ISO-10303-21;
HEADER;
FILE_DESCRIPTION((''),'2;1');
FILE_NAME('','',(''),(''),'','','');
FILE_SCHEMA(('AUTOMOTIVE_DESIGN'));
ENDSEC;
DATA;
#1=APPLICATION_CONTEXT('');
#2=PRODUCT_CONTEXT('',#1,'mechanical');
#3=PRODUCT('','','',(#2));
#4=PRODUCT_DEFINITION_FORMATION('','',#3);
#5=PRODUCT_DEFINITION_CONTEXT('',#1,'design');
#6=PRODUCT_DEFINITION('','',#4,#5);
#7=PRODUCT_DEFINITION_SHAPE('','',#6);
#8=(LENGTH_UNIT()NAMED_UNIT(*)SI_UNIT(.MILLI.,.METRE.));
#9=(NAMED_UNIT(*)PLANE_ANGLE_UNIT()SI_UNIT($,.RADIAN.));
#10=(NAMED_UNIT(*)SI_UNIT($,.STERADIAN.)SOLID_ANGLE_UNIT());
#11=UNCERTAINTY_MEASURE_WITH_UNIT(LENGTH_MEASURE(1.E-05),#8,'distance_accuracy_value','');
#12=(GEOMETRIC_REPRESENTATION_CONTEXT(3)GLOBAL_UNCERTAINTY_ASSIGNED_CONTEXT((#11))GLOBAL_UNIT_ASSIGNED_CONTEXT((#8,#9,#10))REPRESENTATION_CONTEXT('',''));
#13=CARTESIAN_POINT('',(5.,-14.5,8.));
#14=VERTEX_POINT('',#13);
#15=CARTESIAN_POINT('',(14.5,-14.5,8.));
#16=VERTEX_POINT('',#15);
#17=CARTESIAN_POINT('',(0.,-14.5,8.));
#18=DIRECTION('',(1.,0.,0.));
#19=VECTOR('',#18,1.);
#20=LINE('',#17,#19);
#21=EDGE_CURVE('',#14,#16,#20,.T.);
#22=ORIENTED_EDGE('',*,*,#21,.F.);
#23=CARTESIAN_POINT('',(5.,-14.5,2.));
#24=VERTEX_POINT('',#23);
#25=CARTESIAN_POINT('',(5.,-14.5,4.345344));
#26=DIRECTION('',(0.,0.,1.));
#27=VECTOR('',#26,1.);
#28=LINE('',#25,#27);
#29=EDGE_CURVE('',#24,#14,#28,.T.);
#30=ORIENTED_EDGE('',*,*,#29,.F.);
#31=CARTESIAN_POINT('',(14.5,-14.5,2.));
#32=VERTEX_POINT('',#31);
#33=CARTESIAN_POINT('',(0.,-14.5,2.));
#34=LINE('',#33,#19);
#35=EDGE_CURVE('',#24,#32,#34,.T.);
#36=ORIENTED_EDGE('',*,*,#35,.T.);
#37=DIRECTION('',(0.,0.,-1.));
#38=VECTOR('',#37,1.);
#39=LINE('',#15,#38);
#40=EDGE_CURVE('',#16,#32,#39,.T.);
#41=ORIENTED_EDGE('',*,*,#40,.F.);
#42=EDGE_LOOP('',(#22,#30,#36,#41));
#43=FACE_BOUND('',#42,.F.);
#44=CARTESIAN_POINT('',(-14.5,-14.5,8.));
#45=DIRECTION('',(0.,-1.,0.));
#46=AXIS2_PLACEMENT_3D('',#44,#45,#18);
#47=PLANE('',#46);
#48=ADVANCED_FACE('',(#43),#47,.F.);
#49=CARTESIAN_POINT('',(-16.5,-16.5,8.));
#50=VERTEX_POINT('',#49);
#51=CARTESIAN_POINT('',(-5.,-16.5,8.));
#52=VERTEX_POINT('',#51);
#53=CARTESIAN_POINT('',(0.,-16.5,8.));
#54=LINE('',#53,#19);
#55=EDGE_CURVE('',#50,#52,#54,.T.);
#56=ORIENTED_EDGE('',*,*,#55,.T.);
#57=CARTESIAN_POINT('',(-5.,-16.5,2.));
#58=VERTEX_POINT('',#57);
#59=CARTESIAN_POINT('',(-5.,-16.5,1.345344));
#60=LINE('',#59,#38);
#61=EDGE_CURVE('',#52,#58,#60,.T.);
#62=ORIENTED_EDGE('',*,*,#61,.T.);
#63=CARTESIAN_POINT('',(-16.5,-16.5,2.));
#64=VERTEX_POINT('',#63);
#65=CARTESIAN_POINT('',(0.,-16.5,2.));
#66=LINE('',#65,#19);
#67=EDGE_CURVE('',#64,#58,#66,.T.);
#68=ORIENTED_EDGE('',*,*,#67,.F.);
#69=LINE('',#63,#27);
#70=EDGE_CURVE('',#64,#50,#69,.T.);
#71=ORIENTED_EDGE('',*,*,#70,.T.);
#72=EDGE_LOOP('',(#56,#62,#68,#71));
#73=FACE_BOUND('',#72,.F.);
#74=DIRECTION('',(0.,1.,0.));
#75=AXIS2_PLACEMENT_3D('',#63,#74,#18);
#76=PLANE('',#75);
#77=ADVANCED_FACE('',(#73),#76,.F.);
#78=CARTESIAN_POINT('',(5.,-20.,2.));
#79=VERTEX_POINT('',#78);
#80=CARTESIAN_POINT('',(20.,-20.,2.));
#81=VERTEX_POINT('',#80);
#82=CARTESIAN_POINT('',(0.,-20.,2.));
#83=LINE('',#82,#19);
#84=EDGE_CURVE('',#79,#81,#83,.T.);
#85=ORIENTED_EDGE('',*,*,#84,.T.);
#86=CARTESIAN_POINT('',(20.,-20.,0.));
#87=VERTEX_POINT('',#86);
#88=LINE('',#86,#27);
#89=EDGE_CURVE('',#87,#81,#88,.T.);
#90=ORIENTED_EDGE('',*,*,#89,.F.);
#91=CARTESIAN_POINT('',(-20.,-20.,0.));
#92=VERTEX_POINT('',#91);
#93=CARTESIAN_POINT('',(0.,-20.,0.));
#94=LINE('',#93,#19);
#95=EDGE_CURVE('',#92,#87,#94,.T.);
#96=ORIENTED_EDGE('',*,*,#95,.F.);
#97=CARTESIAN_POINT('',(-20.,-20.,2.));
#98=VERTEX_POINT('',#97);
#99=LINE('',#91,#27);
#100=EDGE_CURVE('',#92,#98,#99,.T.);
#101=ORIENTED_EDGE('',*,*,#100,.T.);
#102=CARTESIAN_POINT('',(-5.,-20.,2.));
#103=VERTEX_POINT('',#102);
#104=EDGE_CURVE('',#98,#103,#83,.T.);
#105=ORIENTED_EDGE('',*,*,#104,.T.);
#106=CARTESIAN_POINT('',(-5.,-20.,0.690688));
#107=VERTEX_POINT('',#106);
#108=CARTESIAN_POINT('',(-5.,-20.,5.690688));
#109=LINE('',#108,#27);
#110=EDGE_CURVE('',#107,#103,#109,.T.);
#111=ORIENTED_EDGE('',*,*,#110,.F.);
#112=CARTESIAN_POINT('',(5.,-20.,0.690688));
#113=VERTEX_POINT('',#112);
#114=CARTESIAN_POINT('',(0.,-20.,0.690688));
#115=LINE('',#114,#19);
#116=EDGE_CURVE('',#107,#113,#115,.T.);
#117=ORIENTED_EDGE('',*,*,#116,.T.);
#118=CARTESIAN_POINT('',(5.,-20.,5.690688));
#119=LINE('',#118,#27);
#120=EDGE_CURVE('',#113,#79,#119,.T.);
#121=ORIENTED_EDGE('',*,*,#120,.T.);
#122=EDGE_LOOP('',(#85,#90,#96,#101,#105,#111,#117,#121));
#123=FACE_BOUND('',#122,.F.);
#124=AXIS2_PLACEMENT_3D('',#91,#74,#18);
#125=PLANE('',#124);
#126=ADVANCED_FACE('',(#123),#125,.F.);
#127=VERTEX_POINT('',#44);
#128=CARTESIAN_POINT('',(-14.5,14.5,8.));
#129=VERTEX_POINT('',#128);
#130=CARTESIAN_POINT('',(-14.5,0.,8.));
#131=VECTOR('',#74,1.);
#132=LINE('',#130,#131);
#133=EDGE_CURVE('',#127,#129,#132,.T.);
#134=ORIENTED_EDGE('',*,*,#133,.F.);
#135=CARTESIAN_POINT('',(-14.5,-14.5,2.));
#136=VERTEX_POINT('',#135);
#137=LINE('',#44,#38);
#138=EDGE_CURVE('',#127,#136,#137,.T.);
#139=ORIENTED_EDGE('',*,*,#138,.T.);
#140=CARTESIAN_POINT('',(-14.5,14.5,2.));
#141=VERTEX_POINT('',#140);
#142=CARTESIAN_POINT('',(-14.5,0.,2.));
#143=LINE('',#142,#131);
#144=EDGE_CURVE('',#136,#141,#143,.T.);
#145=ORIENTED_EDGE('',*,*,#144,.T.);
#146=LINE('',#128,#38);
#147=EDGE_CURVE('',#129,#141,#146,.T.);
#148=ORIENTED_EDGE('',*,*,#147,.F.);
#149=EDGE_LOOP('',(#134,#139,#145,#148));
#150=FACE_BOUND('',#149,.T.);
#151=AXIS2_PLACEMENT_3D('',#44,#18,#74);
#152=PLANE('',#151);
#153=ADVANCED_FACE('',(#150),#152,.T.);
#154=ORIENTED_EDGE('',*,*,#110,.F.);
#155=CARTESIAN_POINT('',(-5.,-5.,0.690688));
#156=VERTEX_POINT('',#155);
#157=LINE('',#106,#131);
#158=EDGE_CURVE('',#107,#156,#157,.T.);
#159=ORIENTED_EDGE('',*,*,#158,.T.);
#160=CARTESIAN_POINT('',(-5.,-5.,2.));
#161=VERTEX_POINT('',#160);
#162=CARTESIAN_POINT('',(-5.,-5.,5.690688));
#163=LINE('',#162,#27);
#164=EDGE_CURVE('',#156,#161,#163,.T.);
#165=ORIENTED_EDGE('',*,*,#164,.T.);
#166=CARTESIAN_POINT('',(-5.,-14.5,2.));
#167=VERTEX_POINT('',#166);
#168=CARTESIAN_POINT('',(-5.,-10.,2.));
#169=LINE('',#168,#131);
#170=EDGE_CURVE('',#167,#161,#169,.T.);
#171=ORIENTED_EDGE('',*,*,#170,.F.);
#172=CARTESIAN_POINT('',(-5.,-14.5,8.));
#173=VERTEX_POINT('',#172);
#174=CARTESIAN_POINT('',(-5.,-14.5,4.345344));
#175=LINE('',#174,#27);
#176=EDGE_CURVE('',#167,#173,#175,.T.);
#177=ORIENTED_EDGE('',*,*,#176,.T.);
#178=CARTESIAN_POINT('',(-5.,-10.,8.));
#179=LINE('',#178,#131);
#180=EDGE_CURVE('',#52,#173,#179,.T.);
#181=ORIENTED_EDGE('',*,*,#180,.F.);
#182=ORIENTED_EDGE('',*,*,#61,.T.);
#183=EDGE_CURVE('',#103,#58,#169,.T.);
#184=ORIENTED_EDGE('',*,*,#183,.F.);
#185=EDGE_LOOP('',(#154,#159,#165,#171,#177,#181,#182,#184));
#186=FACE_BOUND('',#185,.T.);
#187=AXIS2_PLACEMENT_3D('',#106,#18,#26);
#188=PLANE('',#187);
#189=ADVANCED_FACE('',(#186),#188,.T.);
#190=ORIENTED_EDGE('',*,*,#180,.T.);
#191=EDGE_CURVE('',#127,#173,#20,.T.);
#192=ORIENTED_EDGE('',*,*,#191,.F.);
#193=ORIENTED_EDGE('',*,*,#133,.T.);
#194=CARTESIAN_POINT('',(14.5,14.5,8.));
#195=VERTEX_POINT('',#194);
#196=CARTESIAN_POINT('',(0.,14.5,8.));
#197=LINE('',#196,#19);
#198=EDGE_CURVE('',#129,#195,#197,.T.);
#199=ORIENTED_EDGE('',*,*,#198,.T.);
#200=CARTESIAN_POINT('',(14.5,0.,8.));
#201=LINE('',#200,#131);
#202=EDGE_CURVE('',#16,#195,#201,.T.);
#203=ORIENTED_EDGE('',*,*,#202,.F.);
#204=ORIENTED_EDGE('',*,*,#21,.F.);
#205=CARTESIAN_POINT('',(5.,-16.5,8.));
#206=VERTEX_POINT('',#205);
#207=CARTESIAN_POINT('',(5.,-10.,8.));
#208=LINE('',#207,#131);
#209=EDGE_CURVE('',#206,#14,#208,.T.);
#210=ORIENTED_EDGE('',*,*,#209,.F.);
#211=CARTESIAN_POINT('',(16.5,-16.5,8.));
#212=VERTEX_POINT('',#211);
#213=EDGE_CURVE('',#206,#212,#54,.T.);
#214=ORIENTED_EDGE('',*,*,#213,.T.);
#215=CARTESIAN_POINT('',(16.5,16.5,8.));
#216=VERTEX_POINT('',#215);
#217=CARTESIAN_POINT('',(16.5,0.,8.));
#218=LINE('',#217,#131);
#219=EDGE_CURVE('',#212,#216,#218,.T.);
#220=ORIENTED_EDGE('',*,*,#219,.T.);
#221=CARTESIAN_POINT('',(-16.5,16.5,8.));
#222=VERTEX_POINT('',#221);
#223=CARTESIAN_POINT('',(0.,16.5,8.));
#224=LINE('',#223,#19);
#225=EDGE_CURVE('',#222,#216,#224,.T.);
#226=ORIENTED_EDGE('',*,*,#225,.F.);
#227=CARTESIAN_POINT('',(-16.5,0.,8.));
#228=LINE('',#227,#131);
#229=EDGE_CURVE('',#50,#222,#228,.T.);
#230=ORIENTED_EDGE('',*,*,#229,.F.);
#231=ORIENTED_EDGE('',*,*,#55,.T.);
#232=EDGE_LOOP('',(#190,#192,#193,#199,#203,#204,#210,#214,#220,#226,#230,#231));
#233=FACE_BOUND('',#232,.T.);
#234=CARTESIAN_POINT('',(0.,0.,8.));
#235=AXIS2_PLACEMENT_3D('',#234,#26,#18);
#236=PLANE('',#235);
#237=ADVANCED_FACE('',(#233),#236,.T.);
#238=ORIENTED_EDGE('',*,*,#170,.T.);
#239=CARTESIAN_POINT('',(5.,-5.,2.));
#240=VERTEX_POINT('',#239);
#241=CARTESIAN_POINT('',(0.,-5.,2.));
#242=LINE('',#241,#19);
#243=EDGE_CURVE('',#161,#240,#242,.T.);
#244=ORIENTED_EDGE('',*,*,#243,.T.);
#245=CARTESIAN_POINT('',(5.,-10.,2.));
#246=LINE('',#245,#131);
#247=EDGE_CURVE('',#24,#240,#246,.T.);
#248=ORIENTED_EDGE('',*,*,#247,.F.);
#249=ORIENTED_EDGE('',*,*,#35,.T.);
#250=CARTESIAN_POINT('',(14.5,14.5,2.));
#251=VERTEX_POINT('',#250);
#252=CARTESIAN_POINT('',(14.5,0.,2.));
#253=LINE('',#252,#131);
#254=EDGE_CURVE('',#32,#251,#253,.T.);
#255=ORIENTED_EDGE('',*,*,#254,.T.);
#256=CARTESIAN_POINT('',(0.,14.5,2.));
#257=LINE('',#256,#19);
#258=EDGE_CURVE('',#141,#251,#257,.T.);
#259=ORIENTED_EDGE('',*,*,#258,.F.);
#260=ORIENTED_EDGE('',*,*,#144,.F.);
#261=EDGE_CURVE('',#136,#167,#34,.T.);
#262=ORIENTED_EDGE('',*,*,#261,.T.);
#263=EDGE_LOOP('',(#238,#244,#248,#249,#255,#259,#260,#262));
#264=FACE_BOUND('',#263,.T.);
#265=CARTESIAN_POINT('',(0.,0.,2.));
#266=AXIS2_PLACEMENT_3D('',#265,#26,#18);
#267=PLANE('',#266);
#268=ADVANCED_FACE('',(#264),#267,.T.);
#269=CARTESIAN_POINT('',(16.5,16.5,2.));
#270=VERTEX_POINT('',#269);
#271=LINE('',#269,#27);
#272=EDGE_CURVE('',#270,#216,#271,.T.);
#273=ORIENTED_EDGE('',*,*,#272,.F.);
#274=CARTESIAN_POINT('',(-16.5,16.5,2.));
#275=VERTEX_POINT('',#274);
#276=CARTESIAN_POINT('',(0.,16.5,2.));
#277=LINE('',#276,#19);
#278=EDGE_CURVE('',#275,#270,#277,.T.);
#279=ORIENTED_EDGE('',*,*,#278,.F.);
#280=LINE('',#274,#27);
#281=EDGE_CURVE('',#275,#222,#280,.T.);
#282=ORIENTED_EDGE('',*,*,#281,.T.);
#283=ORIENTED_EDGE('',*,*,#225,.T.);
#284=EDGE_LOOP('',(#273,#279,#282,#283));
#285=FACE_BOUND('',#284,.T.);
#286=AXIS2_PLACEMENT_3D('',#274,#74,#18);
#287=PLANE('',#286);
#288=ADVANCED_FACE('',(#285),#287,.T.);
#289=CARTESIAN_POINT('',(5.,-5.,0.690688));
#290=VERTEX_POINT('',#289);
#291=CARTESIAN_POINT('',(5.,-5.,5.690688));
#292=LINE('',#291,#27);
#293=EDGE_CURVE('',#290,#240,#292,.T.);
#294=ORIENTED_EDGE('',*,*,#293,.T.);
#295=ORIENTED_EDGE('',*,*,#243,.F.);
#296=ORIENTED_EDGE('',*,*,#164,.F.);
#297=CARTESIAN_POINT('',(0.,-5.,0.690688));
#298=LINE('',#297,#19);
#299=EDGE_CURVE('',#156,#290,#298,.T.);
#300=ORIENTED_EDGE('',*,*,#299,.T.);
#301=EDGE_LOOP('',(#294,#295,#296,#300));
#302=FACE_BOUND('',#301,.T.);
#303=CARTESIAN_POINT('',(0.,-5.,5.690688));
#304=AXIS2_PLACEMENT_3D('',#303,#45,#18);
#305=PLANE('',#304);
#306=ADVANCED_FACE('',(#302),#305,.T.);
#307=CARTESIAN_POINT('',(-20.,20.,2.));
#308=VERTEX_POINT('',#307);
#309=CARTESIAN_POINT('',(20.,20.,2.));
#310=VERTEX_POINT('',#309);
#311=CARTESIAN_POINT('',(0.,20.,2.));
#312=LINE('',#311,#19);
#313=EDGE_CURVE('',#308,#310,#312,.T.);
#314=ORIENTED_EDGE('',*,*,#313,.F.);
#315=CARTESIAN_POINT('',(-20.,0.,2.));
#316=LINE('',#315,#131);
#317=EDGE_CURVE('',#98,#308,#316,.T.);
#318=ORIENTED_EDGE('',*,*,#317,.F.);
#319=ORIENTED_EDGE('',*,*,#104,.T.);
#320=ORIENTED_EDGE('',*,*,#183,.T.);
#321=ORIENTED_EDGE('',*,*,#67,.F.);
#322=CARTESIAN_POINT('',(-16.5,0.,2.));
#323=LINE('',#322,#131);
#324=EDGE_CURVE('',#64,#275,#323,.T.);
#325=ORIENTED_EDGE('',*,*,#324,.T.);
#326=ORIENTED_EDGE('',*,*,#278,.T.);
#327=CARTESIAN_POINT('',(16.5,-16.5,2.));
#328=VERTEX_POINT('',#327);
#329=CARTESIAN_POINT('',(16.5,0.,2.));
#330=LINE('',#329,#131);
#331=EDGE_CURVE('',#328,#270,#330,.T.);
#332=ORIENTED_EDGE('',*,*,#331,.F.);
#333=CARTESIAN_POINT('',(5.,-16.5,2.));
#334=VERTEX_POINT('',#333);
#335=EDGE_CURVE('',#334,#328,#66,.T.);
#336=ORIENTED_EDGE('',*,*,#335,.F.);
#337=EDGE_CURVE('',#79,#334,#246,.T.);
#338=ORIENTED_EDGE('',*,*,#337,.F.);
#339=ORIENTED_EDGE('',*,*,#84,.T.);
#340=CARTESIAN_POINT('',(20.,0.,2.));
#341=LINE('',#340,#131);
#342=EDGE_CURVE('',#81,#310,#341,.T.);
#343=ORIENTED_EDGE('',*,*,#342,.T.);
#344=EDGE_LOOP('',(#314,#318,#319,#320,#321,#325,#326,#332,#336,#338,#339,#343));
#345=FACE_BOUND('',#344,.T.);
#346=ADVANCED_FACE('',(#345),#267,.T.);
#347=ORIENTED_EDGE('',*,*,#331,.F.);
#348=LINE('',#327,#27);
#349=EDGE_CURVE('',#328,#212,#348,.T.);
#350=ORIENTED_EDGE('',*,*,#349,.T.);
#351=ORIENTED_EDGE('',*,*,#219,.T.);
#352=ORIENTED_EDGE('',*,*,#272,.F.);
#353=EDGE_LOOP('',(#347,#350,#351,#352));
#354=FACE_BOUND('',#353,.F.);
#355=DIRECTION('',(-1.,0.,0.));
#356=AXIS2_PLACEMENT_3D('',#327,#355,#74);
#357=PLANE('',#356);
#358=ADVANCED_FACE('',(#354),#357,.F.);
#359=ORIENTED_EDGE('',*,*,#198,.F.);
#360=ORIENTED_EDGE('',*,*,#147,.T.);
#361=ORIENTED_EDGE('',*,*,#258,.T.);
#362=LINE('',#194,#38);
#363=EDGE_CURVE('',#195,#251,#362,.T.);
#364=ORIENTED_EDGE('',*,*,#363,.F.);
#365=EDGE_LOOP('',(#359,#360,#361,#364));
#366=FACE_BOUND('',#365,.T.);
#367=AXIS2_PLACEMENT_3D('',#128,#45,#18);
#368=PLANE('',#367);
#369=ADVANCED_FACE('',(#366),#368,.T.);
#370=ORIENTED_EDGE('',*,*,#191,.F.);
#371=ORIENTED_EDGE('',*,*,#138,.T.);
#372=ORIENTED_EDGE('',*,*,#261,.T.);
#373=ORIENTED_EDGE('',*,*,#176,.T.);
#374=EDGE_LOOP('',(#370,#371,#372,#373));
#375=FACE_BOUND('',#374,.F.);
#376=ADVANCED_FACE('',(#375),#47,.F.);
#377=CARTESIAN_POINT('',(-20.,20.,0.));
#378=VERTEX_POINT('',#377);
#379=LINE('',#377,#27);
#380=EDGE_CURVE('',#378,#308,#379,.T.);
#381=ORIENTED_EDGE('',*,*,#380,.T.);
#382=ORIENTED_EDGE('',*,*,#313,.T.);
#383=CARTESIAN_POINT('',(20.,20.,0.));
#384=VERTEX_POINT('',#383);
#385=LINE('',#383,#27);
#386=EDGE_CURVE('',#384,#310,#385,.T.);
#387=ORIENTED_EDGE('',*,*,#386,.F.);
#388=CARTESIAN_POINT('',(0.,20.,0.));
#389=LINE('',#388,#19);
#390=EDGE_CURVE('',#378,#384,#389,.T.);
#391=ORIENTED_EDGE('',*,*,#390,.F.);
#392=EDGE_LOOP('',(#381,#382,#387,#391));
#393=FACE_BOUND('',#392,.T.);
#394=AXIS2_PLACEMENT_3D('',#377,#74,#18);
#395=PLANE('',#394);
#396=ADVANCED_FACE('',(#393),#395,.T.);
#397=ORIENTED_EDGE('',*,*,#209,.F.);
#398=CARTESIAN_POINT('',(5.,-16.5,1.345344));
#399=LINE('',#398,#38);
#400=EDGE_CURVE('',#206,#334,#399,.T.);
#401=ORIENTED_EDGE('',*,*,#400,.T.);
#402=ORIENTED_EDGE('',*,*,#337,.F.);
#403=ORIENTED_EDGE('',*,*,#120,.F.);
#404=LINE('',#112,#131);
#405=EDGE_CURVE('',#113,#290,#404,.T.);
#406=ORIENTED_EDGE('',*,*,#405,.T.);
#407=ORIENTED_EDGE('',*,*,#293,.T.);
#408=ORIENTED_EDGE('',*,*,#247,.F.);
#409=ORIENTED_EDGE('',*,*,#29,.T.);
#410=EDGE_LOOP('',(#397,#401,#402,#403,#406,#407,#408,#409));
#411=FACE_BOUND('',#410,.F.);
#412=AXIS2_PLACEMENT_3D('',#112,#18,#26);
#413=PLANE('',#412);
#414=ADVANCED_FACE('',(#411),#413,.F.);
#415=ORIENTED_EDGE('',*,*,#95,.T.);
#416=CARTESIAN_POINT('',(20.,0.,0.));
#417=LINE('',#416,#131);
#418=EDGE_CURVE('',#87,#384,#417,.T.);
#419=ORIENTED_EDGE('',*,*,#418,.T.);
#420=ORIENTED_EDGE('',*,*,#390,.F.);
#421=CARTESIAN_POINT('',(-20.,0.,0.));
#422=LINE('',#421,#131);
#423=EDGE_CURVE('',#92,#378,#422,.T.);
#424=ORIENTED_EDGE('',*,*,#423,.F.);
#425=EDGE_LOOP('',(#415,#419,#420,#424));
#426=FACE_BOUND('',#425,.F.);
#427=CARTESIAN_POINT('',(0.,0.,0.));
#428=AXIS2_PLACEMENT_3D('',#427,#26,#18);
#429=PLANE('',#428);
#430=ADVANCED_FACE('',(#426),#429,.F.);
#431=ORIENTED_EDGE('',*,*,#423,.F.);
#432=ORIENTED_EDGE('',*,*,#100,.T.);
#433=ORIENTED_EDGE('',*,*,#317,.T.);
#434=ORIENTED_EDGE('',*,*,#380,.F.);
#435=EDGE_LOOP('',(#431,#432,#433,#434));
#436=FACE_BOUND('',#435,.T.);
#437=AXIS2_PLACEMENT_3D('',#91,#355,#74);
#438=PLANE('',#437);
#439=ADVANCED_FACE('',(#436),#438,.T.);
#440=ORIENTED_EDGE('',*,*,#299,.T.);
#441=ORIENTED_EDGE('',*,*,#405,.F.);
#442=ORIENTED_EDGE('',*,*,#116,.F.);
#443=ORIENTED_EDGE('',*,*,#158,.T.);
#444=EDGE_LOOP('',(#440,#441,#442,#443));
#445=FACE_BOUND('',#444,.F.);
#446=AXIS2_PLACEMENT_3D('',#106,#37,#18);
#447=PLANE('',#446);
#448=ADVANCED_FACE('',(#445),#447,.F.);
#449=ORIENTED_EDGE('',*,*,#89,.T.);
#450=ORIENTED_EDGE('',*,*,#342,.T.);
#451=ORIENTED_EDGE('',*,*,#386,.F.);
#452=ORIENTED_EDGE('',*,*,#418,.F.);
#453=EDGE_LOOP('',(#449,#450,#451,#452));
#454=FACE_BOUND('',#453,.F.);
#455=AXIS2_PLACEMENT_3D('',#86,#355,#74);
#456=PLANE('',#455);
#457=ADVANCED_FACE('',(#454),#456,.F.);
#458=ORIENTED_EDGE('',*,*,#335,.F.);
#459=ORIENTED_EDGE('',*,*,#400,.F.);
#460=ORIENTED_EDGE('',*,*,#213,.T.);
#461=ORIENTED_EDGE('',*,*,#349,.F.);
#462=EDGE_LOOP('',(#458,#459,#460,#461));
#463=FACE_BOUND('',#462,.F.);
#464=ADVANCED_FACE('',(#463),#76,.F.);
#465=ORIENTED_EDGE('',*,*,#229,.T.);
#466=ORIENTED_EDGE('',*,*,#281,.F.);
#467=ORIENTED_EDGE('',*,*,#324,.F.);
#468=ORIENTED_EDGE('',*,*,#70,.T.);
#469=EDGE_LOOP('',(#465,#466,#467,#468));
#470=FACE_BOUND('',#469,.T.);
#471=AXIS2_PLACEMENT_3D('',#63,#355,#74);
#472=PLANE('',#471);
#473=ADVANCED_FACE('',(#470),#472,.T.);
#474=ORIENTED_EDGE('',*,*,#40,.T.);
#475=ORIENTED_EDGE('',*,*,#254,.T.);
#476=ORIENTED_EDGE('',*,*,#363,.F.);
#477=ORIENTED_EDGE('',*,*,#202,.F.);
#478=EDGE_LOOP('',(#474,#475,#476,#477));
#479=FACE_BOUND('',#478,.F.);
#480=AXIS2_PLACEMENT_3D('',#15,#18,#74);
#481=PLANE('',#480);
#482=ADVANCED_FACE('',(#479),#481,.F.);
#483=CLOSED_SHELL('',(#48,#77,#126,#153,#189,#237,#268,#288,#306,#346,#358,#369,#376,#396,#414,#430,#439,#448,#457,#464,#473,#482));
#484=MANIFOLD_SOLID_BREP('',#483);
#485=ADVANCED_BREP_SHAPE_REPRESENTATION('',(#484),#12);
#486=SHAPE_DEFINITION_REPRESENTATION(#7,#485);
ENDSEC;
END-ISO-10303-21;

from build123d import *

# Parameters (mm, degrees)
SKETCH_W        = 40
SKETCH_H        = 40
PAD_DEPTH       = 2
SKETCH001_W     = 33
SKETCH001_H     = 33
PAD001_DEPTH    = 6
SKETCH002_W     = 29
SKETCH002_H     = 29
POCKET_DEPTH    = 6
SKETCH003_W     = 10
SKETCH003_H     = 10
POCKET001_DEPTH = 15


with BuildPart() as part:
    # Sketch → Pad (new body)
    with BuildSketch(Plane.XY):
        Rectangle(SKETCH_W, SKETCH_H)
    extrude(amount=PAD_DEPTH)

    # Sketch001 (on Face6 of Pad) → Pad001 (join)
    with BuildSketch(Plane.XY.offset(2)):
        Rectangle(SKETCH001_W, SKETCH001_H)
    extrude(amount=PAD001_DEPTH)

    # Sketch002 (on Face11 of Pad001) → Pocket (cut)
    with BuildSketch(Plane.XY.offset(8)):
        Rectangle(SKETCH002_W, SKETCH002_H)
    extrude(amount=-POCKET_DEPTH, mode=Mode.SUBTRACT)

    # Sketch003 (on DatumPlane) → Pocket001 (cut)
    with BuildSketch(Plane.XZ.offset(20)):
        with Locations((0, 5.690688)):
            Rectangle(SKETCH003_W, SKETCH003_H)
    extrude(amount=-POCKET001_DEPTH, mode=Mode.SUBTRACT)


solid = part.part
